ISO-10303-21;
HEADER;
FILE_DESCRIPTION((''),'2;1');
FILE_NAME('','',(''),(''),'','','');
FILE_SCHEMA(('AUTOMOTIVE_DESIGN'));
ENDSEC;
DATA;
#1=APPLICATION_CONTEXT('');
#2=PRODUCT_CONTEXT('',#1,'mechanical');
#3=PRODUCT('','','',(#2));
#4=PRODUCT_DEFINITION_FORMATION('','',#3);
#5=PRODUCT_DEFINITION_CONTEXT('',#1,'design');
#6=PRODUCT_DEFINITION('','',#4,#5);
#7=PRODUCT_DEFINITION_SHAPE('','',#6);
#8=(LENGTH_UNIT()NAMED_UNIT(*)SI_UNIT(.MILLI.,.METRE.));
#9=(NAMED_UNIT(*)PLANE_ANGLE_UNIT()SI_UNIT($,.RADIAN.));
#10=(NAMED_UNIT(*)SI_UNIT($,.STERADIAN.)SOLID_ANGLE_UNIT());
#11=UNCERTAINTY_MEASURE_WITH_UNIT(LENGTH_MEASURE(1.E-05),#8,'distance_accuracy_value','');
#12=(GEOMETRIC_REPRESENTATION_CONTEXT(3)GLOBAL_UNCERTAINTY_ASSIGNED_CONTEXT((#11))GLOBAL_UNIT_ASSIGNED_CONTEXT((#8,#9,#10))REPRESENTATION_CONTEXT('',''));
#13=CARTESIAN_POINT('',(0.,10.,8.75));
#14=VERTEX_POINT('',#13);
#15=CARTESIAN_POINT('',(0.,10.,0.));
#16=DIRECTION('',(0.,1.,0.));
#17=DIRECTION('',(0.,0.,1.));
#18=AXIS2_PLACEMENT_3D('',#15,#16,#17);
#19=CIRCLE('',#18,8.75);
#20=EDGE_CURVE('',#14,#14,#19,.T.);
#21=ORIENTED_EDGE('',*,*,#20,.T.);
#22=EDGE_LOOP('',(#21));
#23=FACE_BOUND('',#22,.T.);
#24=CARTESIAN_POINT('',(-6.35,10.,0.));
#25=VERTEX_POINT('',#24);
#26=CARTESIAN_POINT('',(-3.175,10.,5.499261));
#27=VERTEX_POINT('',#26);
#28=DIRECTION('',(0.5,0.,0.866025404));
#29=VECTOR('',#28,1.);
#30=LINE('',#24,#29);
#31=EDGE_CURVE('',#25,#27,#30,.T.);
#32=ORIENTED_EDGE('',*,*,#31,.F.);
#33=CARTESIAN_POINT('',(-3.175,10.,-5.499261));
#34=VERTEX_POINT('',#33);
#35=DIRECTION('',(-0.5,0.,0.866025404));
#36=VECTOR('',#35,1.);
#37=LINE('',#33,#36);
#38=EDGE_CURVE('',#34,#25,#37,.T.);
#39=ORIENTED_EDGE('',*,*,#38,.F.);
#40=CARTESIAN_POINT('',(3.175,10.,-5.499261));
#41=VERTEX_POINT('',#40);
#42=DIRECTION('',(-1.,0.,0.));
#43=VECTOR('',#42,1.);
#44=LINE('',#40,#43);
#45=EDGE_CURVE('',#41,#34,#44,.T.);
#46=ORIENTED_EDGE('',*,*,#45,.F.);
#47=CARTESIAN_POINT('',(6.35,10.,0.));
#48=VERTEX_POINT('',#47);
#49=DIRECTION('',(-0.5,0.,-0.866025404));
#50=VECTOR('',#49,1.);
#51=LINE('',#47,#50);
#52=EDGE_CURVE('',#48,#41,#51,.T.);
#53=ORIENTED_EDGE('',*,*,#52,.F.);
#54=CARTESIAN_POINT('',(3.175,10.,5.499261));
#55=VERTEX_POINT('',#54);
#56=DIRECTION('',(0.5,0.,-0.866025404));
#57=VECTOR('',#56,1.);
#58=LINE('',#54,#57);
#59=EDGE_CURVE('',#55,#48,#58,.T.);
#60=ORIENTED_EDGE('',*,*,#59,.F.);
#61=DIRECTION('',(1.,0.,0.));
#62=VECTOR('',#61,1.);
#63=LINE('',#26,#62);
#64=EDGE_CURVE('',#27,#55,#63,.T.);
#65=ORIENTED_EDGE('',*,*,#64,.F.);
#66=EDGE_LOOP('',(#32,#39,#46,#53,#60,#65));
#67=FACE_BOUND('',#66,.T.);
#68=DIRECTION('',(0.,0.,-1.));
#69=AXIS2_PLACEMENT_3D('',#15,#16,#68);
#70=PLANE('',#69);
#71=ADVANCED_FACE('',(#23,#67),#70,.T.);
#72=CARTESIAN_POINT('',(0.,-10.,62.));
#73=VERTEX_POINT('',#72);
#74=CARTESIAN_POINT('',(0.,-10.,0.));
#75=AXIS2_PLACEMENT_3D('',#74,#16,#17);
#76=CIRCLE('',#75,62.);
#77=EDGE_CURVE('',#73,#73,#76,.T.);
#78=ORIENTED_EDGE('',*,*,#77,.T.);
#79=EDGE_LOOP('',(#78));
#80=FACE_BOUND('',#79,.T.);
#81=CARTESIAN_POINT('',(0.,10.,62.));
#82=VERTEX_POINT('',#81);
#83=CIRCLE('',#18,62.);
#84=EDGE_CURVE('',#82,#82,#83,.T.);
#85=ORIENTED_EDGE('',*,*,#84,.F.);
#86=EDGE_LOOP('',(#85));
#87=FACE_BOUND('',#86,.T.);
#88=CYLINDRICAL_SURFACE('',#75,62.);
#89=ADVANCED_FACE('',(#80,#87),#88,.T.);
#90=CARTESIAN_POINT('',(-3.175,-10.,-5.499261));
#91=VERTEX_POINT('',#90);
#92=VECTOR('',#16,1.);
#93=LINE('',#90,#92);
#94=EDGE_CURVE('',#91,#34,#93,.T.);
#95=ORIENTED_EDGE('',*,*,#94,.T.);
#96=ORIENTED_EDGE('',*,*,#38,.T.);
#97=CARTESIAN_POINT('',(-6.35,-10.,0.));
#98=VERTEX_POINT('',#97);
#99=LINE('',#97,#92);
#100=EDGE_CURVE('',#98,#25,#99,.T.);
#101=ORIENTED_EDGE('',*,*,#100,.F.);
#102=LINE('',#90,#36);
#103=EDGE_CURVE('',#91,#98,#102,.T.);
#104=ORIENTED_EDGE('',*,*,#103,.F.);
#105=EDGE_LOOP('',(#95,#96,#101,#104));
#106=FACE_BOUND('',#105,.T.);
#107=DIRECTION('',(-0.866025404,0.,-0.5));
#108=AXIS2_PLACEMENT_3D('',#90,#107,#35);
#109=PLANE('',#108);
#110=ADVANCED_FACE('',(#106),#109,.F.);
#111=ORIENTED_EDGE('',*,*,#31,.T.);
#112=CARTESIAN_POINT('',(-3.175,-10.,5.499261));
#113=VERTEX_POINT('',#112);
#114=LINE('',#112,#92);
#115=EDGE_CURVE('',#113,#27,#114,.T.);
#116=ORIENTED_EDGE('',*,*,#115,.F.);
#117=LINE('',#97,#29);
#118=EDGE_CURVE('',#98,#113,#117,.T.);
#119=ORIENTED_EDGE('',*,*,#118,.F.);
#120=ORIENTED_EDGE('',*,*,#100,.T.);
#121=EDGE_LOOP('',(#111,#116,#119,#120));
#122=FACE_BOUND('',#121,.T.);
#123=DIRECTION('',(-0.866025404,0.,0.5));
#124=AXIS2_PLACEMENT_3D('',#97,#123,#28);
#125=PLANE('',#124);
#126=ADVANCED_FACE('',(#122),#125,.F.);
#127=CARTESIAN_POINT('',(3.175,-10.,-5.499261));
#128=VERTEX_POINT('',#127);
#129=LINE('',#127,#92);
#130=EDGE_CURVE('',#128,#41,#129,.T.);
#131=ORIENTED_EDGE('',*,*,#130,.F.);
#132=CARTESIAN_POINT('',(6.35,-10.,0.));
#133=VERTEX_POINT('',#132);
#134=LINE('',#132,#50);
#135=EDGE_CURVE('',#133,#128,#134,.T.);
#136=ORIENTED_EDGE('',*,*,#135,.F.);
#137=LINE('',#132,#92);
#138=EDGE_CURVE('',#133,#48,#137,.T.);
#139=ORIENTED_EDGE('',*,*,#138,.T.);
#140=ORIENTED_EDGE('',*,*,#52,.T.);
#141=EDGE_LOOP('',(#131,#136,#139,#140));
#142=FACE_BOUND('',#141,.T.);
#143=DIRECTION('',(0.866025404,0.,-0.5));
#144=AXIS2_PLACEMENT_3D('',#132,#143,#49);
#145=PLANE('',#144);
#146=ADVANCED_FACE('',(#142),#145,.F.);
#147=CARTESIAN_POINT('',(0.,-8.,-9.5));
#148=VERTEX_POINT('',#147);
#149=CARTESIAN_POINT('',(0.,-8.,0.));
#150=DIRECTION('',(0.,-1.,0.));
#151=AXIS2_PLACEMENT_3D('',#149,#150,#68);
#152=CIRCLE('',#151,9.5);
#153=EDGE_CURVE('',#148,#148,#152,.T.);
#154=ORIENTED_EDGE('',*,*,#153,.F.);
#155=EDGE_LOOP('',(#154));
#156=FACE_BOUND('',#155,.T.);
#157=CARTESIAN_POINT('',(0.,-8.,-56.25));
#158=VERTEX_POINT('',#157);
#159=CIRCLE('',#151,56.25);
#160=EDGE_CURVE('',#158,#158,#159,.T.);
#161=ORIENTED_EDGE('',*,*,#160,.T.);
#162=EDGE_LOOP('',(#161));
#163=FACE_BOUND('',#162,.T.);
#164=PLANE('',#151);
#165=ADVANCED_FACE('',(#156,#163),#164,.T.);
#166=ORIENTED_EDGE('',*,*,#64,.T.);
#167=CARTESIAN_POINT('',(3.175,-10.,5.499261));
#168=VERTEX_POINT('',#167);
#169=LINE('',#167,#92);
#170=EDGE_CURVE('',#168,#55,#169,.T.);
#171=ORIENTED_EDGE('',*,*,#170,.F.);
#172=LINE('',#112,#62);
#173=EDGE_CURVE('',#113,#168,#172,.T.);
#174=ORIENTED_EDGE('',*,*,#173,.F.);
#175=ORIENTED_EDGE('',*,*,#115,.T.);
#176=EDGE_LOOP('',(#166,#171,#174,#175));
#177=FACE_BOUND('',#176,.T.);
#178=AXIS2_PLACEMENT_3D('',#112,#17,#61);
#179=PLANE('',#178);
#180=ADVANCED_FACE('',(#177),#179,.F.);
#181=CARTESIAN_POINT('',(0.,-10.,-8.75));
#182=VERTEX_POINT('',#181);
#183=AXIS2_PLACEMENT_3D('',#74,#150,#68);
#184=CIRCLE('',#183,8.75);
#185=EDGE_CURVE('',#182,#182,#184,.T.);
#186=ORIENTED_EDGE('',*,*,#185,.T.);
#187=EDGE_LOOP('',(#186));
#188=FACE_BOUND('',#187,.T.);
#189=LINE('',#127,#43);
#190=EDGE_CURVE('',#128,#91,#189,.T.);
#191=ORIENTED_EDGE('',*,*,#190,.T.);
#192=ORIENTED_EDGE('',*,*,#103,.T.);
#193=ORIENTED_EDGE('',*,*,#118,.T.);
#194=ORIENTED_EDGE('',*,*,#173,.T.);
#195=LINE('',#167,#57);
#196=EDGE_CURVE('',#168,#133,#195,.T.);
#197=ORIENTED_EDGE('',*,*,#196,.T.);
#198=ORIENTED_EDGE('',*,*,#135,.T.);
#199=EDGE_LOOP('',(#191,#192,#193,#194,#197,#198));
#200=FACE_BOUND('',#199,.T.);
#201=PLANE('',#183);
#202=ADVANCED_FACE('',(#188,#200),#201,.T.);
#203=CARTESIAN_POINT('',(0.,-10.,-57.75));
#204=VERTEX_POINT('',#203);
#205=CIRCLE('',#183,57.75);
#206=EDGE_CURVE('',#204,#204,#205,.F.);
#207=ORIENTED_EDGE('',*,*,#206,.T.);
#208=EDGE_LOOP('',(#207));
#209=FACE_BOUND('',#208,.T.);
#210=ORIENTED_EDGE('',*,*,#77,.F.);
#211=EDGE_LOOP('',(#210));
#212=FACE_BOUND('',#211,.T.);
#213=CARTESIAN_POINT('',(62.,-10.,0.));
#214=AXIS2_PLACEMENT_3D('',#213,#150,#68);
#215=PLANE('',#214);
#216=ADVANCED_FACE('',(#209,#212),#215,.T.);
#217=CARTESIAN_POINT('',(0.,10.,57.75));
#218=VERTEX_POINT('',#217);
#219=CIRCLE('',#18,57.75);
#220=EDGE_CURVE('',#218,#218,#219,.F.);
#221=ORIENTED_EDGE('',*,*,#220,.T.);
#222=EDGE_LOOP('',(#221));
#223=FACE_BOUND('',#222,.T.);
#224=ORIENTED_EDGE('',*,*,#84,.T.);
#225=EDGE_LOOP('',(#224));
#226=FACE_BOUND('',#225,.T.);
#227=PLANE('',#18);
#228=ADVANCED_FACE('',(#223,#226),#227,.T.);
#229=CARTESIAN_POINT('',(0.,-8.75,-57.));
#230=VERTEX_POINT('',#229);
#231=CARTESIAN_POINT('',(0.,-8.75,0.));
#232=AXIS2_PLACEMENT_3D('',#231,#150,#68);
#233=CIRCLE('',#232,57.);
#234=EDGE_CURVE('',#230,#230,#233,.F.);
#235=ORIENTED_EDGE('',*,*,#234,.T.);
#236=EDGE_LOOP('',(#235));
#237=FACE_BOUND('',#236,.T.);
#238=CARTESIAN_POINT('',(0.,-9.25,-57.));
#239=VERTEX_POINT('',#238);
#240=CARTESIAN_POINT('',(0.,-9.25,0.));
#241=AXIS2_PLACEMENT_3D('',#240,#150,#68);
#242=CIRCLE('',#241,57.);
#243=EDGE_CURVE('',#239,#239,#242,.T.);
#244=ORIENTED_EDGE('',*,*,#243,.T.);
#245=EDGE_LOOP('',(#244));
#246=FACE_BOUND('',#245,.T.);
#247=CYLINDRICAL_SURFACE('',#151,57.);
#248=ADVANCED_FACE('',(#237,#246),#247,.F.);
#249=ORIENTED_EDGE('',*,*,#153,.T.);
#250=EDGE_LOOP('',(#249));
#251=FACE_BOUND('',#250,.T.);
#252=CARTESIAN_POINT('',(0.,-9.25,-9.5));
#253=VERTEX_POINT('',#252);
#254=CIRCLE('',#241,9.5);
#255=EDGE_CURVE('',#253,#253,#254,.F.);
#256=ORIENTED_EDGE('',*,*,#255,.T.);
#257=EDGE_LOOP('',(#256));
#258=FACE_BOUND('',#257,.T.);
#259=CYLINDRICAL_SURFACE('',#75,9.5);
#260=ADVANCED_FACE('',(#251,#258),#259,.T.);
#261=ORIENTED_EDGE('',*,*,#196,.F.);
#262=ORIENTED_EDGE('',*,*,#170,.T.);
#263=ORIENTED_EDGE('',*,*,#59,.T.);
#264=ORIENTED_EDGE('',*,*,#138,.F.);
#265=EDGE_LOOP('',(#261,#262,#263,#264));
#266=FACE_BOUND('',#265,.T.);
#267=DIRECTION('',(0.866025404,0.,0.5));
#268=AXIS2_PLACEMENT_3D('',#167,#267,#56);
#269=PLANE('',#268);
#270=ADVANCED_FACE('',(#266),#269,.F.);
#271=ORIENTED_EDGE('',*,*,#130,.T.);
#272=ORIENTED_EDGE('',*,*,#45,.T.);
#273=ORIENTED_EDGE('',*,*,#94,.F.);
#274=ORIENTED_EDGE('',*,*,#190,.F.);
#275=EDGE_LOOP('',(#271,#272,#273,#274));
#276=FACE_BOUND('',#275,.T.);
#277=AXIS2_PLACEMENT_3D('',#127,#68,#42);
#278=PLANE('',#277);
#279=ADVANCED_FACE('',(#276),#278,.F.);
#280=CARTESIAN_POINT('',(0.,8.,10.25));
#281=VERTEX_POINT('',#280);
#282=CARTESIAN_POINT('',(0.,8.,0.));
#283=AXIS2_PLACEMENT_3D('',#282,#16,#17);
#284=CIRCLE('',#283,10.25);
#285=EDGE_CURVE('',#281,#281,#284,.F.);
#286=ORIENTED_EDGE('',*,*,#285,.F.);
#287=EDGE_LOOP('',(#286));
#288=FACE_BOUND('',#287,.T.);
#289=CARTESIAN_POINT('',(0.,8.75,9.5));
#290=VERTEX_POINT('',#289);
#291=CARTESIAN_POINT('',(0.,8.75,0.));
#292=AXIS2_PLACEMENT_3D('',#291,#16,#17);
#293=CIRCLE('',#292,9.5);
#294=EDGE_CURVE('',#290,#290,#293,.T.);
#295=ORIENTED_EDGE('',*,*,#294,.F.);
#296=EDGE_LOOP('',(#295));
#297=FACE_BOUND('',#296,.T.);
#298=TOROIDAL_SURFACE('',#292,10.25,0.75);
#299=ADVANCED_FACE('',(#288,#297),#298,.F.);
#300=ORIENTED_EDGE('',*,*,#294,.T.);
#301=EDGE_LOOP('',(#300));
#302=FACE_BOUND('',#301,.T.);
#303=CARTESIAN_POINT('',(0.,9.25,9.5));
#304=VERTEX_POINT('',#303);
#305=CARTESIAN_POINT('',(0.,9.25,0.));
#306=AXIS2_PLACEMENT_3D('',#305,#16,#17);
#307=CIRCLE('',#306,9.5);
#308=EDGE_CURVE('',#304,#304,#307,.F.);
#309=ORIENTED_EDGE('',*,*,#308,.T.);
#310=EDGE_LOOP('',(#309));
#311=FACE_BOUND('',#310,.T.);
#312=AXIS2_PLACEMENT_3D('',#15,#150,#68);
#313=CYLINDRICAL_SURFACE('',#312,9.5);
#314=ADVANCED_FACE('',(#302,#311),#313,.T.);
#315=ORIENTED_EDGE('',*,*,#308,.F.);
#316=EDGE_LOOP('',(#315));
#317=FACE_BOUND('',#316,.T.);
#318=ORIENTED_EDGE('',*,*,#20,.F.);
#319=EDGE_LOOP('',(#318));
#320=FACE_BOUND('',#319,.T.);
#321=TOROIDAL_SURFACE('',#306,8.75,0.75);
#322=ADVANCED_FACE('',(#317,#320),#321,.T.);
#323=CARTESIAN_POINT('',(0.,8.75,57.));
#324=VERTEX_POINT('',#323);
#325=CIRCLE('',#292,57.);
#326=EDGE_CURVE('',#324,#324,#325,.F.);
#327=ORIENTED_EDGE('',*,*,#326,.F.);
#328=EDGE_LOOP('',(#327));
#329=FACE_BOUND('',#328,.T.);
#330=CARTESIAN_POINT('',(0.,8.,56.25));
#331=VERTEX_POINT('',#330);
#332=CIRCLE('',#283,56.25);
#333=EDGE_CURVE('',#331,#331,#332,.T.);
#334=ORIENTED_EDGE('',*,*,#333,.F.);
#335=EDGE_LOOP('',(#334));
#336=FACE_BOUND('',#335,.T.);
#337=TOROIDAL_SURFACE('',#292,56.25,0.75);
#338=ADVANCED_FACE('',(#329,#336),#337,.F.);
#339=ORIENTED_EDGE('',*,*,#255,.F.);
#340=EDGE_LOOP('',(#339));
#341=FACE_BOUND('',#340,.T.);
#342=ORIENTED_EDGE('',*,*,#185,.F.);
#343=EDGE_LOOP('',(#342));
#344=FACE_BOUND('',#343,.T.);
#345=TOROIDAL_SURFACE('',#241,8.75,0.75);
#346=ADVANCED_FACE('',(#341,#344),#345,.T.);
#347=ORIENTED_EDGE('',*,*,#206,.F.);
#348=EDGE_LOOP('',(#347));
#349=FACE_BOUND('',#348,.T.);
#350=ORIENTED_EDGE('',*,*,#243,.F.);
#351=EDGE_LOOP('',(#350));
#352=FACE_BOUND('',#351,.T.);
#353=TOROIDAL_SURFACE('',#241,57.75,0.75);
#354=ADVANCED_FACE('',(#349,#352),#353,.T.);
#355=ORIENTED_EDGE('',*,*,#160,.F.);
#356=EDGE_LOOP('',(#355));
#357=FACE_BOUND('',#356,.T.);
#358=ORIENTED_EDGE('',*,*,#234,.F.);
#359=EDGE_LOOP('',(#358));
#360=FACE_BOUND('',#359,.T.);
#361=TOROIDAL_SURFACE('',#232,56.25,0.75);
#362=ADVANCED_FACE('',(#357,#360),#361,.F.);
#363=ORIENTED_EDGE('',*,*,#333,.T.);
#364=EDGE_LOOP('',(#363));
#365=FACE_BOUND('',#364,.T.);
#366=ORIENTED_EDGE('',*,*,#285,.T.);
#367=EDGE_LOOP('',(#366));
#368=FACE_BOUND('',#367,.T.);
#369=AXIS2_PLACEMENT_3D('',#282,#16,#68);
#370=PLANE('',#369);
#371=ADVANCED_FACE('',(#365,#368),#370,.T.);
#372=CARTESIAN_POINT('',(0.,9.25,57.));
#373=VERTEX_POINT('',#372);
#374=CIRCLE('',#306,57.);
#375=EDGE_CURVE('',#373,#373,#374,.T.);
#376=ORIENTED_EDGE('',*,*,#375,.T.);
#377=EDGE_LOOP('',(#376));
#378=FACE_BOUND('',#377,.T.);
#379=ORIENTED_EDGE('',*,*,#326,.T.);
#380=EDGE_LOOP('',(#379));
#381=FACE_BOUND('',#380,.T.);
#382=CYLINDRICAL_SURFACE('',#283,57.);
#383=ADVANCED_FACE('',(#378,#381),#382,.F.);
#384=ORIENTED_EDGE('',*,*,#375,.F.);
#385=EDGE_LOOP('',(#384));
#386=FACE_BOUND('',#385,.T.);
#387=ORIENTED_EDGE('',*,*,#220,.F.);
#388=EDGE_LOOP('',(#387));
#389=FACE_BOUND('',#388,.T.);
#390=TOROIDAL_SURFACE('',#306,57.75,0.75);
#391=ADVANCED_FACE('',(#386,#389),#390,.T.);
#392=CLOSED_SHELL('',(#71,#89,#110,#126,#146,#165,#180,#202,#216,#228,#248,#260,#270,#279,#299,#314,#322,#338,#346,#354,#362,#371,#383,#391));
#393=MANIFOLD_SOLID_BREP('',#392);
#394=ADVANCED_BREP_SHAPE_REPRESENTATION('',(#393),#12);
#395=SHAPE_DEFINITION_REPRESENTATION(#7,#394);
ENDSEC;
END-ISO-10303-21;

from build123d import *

# Parameters (mm, degrees)
SCHIZZO1_W                    = 62
SCHIZZO1_H                    = 20
SCHIZZO9_R                    = 57
TAGLIO_ESTRUSIONE2_DEPTH      = 2
SCHIZZO10_R                   = 9.5
ESTRUSIONE_ESTRUSIONE3_DEPTH  = 2
TAGLIO_ESTRUSIONE1_DEPTH      = 19
TAGLIO_ESTRUSIONE1_DEPTH_BACK = 3
RACCORDO1_R                   = 0.75


with BuildPart() as part:
    # Schizzo1 → Rivoluzione1 (revolve)
    with BuildSketch(Plane(origin=(0, 0, 0), x_dir=(-1, 0, 0), z_dir=(0, 0, -1))):
        with Locations((-31, 0)):
            Rectangle(SCHIZZO1_W, SCHIZZO1_H)
    revolve(axis=Axis((0, -10, 0), (0, 1, 0)))

    # Schizzo9 → Taglio-Estrusione2 (cut)
    with BuildSketch(Plane.XZ.offset(10)):
        Circle(SCHIZZO9_R)
    taglio_estrusione2 = extrude(amount=-TAGLIO_ESTRUSIONE2_DEPTH, mode=Mode.SUBTRACT)

    # Schizzo10 → Estrusione-Estrusione3 (add)
    with BuildSketch(Plane.XZ.offset(8)):
        Circle(SCHIZZO10_R)
    estrusione_estrusione3 = extrude(amount=ESTRUSIONE_ESTRUSIONE3_DEPTH)

    # Specchia1: Taglio-Estrusione2, Estrusione-Estrusione3 across plane
    add(taglio_estrusione2.mirror(Plane.ZX), mode=Mode.SUBTRACT)
    add(estrusione_estrusione3.mirror(Plane.ZX))

    # Schizzo8 → Taglio-Estrusione1 (cut, two sides)
    with BuildSketch(Plane(origin=(0, -8, 0), x_dir=(-1, 0, 0), z_dir=(0, 1, 0))) as taglio_estrusione1_sk:
        Polygon((-3.175, -5.499261314), (3.175, -5.499261314), (6.35, 0), (3.175, 5.499261314), (-3.175, 5.499261314), (-6.35, 0), align=None)
    extrude(amount=TAGLIO_ESTRUSIONE1_DEPTH, mode=Mode.SUBTRACT)
    extrude(taglio_estrusione1_sk.sketch, amount=-TAGLIO_ESTRUSIONE1_DEPTH_BACK, mode=Mode.SUBTRACT)

    # Raccordo1
    raccordo1_edges = [part.edges().sort_by_distance(p)[0] for p in [
        (-57, -10, 0),
        (-9.5, -10, 0),
        (-57, 10, 0),
        (-57, 8, 0),
        (-9.5, 8, 0),
        (-9.5, 10, 0),
        (-57, -8, 0),
    ]]
    fillet(raccordo1_edges, radius=RACCORDO1_R)


solid = part.part
